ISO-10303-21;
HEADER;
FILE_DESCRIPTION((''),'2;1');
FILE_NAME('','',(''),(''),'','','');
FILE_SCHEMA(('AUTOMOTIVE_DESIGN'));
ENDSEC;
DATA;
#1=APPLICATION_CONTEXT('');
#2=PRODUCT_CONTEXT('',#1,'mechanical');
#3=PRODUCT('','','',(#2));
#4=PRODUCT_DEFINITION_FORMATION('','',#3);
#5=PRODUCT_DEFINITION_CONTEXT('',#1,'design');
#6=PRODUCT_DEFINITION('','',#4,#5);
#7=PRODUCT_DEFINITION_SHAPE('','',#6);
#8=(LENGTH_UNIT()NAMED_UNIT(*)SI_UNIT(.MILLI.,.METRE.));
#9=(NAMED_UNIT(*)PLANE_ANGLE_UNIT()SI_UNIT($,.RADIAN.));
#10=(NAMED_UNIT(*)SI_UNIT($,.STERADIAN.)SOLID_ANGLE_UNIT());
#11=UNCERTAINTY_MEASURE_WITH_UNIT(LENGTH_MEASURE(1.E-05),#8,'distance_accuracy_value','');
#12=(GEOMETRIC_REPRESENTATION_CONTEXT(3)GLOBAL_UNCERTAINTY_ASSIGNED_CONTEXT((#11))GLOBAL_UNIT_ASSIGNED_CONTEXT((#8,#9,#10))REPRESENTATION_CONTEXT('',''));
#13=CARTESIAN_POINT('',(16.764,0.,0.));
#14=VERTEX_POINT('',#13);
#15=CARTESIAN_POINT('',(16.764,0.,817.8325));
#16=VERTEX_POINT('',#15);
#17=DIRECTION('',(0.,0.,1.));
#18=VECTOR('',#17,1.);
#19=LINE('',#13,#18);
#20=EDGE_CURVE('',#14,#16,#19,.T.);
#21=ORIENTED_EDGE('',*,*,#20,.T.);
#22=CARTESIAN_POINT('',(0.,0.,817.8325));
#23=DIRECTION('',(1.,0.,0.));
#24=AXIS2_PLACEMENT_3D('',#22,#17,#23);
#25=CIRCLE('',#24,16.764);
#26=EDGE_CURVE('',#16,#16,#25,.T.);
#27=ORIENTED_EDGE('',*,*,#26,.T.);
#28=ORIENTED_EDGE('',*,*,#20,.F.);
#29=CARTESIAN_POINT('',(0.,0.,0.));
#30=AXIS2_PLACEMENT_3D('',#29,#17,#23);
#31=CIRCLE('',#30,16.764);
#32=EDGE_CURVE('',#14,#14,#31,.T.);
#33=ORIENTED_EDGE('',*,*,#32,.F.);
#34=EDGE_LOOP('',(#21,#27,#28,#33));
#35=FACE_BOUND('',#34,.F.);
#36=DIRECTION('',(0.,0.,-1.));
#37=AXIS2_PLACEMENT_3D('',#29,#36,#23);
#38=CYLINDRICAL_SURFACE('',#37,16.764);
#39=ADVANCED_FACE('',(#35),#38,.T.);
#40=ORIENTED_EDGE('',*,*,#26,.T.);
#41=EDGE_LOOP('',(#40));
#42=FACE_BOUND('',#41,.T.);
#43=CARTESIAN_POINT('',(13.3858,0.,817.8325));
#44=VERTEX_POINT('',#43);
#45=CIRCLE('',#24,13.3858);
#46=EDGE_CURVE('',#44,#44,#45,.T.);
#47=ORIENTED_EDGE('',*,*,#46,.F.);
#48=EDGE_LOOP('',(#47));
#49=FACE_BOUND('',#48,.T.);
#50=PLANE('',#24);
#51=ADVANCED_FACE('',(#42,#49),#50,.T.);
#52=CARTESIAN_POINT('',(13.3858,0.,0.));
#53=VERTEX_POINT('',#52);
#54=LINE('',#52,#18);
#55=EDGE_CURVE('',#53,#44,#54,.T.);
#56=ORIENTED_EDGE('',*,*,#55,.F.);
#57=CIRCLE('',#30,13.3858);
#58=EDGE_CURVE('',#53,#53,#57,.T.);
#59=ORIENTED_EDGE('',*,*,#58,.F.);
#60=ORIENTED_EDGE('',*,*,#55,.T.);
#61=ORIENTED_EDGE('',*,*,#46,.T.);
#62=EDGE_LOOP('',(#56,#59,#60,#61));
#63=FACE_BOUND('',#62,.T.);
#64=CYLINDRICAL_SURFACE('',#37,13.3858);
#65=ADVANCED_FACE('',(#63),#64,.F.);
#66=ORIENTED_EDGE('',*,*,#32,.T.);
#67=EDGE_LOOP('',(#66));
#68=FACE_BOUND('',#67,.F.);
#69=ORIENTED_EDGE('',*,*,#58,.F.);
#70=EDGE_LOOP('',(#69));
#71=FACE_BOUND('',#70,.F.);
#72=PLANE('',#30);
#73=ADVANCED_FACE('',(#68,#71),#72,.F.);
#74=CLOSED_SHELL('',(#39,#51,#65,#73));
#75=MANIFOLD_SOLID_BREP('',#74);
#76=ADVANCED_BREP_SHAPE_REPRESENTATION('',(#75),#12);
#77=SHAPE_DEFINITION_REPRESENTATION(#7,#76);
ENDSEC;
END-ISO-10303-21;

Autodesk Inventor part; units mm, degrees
ref_plane "YZ Plane" through (0, 0, 0) normal (1, 0, 0) x (0, 1, 0)
ref_plane "Start plane" through (0, 0, 0) normal (0, 0, 1) x (1, 0, 0)
ref_plane "End plane" through (0, 0, 817.8325) normal (0, 0, 1) x (1, 0, 0)
sketch "Sketch" plane through (0, 0, 0) normal (0, 0, 1) x (1, 0, 0)
  circle A0 centre (0, 0) radius 13.3858
  circle A1 centre (0, 0) radius 16.764
  dimension "d0" = 33.528
  dimension "d1" = 3.3782
extrude "Body" add sketch "Sketch" along normal up to surface (817.8325 mm away) from surface at 0
sketch "Sketch3" plane through (0, 0, 0) normal (0, 0, 1) x (1, 0, 0)
  line L0 (0, 0) -> (10, 0)
ref_plane "Work Plane3" through (0, 0, 0) normal (0, -1, 0) x (1, 0, 0)
sketch "Sketch4" plane through (0, 0, 0) normal (0, -1, 0) x (1, 0, 0)
  line L0 (-2, 0) -> (12, 0) projected
  line L1 (-2, 817.8325) -> (12, 817.8325) projected
  dimension "d7" = 817.8325
equation "\"d0\" = G_H"
equation "\"d1\" = G_T"
equation "\"d2\" = G_L"
equation "\"G_H\" = 33.528"
equation "\"G_T\" = 3.3782"
equation "\"G_L\" = d7"
equation "\"G_OFFSET_START\" = 0"
equation "\"G_OFFSET_END\" = 0"
equation "\"d5\" = G_OFFSET_END + B_L"
equation "\"B_L\" = 817.8325"
properties part number "ANSI - 1 x 0.133 - 32.198" material "Steel, Mild"
